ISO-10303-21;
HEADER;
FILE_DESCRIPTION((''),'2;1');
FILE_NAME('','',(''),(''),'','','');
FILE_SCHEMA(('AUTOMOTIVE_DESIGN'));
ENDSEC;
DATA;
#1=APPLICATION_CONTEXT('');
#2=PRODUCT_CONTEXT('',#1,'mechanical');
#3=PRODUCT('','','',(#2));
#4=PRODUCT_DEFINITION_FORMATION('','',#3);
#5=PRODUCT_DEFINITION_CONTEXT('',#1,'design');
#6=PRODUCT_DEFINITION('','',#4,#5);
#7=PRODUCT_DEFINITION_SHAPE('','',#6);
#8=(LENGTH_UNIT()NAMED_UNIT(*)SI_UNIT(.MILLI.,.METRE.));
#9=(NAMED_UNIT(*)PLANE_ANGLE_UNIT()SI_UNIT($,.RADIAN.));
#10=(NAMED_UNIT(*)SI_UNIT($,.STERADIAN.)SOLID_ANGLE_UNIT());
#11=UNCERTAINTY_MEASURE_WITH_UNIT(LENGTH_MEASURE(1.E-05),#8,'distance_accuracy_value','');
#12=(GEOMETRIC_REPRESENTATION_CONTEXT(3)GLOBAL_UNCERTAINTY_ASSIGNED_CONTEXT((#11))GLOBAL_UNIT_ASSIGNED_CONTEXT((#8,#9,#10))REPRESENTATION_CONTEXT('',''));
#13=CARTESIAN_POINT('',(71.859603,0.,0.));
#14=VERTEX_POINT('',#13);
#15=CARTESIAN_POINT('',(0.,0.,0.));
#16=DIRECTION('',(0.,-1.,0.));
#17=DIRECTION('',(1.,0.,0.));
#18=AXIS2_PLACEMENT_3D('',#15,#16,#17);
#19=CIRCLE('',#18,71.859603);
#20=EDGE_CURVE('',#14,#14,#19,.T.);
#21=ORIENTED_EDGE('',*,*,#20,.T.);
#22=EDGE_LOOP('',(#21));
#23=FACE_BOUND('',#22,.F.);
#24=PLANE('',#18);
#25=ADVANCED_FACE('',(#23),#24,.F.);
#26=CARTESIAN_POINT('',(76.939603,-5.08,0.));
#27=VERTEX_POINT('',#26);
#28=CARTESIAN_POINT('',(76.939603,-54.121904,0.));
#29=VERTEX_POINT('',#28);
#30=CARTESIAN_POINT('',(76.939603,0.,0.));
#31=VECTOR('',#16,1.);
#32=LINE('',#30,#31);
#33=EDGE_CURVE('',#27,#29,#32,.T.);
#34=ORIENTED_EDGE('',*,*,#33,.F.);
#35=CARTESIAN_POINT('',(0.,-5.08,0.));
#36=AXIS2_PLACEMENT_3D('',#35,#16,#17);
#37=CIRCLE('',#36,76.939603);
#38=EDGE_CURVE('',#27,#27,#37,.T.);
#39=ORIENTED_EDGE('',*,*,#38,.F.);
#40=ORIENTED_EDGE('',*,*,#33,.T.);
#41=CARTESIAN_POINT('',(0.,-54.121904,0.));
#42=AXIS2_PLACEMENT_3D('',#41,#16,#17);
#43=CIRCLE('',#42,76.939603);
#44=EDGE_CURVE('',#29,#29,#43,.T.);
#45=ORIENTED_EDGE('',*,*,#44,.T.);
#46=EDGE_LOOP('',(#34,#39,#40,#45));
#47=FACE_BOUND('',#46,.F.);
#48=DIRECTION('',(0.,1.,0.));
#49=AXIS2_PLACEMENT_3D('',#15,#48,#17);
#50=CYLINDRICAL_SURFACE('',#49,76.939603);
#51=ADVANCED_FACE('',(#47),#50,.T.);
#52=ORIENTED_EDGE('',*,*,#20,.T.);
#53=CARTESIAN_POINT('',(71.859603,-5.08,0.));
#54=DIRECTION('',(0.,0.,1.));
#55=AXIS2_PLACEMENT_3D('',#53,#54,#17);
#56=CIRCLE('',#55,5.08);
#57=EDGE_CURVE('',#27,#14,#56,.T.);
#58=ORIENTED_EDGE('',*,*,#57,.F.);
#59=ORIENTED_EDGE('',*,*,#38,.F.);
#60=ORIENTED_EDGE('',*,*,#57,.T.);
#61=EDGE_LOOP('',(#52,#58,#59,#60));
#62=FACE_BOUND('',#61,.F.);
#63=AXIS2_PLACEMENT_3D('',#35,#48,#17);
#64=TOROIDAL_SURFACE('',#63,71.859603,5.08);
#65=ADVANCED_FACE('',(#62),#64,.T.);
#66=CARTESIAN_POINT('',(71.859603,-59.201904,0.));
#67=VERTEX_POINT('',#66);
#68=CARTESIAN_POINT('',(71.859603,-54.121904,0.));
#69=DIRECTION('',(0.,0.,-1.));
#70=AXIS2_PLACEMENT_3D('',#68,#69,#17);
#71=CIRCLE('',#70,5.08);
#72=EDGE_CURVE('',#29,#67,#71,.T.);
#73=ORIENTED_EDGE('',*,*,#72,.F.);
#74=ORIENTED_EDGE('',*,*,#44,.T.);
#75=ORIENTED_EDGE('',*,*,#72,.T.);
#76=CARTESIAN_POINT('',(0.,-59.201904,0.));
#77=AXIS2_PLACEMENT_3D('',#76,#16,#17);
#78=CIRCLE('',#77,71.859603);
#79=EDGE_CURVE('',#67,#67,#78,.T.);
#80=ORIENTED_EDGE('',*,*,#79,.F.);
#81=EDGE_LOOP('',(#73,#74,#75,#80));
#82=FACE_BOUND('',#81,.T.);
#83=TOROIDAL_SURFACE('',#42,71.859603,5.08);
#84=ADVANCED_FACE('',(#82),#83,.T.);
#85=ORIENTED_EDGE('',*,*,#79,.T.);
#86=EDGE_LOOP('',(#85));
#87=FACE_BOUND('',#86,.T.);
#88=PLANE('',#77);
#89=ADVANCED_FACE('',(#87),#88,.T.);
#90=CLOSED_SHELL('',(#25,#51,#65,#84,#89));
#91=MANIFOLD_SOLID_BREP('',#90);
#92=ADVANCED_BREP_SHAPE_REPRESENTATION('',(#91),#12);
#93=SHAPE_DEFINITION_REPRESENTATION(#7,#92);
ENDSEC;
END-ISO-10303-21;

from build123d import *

# Parameters (mm, degrees)
F0_R     = 76.939603
F1_DEPTH = 59.201904
F2_R     = 5.08


with BuildPart() as f1:
    # F0 (on Front) → F1 (new body)
    with BuildSketch(Plane.XZ):
        Circle(F0_R)
    extrude(amount=F1_DEPTH)

    # F2
    f2_edges = [f1.edges().sort_by_distance(p)[0] for p in [
        (76.939603, -29.600952, 0),
        (-76.939603, 0, 0),
        (-76.939603, -59.201904, 0),
    ]]
    fillet(f2_edges, radius=F2_R)


solid = f1.part
